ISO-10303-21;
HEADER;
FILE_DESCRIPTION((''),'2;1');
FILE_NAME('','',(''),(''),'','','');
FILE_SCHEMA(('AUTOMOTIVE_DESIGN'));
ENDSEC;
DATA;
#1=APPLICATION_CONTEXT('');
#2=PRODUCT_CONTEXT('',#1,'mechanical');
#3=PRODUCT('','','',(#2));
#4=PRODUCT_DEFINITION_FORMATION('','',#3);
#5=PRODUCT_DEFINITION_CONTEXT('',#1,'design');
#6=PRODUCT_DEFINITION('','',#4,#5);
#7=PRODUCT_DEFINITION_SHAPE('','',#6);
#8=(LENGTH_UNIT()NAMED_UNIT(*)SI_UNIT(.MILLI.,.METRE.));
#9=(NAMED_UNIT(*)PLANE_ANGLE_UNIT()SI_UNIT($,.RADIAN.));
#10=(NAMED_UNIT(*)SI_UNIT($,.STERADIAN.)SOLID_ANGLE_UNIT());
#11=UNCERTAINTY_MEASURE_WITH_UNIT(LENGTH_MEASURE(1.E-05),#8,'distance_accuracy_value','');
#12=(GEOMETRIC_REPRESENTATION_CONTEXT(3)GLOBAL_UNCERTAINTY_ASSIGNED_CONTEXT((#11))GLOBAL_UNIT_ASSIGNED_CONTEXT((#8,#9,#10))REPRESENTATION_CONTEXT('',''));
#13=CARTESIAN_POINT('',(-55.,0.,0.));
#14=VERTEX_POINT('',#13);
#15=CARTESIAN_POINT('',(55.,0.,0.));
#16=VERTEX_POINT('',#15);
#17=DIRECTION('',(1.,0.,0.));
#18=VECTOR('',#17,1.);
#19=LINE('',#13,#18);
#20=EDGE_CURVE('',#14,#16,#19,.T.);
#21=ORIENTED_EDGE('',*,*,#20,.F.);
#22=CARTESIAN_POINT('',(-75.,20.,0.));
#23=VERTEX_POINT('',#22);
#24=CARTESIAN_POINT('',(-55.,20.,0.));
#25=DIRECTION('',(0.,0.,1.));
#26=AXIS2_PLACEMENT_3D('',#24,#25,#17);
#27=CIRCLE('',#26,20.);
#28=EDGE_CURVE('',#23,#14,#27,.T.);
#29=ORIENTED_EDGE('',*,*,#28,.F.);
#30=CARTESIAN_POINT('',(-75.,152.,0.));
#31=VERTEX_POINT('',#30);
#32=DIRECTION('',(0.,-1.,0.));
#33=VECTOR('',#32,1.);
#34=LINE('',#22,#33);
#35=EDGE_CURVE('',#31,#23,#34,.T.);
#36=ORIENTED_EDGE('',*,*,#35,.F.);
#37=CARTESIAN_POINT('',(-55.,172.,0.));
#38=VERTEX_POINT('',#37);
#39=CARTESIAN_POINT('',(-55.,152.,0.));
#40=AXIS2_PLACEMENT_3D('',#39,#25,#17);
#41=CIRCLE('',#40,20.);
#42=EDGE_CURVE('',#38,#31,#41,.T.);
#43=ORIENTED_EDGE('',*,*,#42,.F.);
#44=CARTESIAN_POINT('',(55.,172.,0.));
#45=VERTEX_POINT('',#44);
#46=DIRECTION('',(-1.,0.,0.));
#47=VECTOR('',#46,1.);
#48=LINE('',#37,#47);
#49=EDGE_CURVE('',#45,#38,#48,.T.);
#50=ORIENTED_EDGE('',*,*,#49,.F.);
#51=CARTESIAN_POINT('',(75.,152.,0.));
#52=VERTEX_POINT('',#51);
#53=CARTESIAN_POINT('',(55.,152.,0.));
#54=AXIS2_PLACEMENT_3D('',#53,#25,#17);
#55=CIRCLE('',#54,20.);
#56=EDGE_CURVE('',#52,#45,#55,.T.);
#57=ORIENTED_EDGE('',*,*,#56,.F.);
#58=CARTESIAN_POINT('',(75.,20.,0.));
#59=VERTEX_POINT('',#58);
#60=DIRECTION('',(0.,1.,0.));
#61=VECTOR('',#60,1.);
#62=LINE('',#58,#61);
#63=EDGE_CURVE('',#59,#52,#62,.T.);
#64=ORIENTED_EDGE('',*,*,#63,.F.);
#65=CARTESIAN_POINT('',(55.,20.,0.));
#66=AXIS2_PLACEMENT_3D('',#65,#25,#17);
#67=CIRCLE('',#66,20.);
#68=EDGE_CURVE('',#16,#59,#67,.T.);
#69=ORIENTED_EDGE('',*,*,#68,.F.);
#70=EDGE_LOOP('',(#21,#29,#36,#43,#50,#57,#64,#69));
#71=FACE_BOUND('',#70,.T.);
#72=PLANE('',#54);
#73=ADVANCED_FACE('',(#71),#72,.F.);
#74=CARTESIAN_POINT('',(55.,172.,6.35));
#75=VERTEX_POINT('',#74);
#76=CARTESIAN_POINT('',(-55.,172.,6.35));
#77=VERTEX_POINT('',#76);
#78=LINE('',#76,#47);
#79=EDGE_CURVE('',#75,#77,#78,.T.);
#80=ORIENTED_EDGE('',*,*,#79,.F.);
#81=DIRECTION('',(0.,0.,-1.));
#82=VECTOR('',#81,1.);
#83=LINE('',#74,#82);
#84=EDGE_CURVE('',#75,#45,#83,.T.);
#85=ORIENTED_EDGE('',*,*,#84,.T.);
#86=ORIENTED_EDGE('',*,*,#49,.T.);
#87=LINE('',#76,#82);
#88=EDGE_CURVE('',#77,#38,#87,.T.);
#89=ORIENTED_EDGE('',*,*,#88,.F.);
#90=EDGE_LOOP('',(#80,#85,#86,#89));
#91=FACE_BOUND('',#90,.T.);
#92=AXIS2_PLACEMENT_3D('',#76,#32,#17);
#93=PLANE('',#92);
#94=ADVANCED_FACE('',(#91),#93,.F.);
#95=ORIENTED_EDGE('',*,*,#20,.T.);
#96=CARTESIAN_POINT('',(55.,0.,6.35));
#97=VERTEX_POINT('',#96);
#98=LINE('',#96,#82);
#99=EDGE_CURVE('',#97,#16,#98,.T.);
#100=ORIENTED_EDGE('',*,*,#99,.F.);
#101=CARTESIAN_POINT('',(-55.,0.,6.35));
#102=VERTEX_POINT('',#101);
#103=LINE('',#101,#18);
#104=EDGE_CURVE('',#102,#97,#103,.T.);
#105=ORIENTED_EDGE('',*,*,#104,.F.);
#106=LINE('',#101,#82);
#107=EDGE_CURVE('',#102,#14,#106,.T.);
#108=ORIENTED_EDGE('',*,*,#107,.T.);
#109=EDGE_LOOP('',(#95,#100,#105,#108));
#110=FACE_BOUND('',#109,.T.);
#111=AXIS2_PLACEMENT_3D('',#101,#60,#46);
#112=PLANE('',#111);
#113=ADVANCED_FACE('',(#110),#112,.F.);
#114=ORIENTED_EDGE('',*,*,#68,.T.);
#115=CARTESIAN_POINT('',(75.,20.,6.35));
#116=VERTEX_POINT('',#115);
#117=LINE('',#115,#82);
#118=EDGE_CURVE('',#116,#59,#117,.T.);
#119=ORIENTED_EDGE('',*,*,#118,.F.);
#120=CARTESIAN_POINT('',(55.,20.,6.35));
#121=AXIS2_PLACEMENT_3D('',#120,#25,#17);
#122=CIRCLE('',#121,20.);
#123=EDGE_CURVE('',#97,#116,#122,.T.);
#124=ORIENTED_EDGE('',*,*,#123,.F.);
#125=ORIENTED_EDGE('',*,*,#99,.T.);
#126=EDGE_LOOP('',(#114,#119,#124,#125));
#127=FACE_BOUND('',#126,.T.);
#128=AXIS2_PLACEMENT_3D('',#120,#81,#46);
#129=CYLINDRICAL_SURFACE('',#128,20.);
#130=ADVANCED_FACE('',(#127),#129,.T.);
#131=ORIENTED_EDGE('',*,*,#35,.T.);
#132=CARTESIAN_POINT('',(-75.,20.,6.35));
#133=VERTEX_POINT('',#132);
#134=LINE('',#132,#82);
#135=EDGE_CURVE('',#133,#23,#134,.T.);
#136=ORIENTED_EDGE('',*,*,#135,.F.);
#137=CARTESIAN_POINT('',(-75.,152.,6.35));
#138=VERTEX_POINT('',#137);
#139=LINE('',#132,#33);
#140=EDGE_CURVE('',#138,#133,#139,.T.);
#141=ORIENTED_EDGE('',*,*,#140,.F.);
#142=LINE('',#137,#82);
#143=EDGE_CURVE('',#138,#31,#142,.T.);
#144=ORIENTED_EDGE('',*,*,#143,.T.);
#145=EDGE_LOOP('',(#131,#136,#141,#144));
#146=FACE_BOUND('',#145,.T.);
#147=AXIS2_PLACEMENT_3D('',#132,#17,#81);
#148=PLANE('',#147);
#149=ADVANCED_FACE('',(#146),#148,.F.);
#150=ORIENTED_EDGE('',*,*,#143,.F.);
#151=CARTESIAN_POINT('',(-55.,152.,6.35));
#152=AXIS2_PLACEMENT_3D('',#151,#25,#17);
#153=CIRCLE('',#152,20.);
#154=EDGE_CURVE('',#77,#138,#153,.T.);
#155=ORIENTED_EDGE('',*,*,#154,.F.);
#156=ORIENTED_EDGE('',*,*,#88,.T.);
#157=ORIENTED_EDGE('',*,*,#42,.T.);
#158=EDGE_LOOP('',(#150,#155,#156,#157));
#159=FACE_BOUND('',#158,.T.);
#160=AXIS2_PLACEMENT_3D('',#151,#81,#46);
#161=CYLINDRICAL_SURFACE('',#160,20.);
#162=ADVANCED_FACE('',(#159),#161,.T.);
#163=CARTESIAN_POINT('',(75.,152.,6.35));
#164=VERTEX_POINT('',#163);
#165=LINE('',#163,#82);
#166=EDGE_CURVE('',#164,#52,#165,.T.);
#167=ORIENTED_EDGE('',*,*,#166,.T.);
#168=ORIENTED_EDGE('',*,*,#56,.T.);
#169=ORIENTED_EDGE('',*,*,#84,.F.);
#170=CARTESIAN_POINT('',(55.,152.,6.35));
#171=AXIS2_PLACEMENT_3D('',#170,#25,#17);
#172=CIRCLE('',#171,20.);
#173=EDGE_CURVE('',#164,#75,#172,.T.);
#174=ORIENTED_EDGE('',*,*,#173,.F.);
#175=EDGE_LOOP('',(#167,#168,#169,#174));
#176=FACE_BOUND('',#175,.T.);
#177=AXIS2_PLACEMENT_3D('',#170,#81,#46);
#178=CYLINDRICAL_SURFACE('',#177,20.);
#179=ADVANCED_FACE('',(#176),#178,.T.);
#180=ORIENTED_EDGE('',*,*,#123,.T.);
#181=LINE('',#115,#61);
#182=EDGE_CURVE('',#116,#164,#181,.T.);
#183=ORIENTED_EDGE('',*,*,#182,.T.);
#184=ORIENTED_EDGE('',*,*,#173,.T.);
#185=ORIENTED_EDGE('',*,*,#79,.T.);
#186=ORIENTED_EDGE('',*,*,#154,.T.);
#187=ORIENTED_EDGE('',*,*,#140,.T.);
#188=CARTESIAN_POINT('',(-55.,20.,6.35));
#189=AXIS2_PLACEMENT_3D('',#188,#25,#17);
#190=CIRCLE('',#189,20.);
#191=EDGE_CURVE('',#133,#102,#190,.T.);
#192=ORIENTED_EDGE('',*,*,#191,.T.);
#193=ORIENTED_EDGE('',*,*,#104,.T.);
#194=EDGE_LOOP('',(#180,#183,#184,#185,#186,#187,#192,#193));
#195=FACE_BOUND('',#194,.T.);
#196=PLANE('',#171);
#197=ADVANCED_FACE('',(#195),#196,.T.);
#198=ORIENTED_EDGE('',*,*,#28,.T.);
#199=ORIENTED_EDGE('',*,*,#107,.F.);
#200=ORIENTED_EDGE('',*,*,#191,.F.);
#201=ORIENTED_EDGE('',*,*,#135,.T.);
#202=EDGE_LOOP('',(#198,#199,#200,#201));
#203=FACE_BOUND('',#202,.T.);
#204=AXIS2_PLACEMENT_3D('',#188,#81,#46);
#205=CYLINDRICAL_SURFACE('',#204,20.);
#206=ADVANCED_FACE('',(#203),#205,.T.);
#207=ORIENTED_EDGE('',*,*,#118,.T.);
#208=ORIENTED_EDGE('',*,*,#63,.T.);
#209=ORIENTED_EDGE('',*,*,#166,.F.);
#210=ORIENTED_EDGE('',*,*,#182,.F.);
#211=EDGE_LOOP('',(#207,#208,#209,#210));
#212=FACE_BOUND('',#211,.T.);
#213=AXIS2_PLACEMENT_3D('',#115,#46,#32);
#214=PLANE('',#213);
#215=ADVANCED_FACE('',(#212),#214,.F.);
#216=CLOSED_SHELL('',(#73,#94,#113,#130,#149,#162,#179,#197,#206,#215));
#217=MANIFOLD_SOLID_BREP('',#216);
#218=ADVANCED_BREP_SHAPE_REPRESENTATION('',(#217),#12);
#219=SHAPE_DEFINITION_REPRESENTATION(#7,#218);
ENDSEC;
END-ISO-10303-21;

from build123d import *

# Parameters (mm, degrees)
BOSS_EXTRUDE1_DEPTH = 6.35


with BuildPart() as part:
    # Sketch1 → Boss-Extrude1 (new body)
    with BuildSketch(Plane.XY):
        with BuildLine():
            Line((-55, 0), (55, 0))
            ThreePointArc((55, 0), (69.142135624, 5.857864376), (75, 20))
            Line((75, 20), (75, 152))
            ThreePointArc((75, 152), (69.142135624, 166.142135624), (55, 172))
            Line((55, 172), (-55, 172))
            ThreePointArc((-55, 172), (-69.142135624, 166.142135624), (-75, 152))
            Line((-75, 152), (-75, 20))
            ThreePointArc((-75, 20), (-69.142135624, 5.857864376), (-55, 0))
        make_face()
    extrude(amount=BOSS_EXTRUDE1_DEPTH)


solid = part.part
